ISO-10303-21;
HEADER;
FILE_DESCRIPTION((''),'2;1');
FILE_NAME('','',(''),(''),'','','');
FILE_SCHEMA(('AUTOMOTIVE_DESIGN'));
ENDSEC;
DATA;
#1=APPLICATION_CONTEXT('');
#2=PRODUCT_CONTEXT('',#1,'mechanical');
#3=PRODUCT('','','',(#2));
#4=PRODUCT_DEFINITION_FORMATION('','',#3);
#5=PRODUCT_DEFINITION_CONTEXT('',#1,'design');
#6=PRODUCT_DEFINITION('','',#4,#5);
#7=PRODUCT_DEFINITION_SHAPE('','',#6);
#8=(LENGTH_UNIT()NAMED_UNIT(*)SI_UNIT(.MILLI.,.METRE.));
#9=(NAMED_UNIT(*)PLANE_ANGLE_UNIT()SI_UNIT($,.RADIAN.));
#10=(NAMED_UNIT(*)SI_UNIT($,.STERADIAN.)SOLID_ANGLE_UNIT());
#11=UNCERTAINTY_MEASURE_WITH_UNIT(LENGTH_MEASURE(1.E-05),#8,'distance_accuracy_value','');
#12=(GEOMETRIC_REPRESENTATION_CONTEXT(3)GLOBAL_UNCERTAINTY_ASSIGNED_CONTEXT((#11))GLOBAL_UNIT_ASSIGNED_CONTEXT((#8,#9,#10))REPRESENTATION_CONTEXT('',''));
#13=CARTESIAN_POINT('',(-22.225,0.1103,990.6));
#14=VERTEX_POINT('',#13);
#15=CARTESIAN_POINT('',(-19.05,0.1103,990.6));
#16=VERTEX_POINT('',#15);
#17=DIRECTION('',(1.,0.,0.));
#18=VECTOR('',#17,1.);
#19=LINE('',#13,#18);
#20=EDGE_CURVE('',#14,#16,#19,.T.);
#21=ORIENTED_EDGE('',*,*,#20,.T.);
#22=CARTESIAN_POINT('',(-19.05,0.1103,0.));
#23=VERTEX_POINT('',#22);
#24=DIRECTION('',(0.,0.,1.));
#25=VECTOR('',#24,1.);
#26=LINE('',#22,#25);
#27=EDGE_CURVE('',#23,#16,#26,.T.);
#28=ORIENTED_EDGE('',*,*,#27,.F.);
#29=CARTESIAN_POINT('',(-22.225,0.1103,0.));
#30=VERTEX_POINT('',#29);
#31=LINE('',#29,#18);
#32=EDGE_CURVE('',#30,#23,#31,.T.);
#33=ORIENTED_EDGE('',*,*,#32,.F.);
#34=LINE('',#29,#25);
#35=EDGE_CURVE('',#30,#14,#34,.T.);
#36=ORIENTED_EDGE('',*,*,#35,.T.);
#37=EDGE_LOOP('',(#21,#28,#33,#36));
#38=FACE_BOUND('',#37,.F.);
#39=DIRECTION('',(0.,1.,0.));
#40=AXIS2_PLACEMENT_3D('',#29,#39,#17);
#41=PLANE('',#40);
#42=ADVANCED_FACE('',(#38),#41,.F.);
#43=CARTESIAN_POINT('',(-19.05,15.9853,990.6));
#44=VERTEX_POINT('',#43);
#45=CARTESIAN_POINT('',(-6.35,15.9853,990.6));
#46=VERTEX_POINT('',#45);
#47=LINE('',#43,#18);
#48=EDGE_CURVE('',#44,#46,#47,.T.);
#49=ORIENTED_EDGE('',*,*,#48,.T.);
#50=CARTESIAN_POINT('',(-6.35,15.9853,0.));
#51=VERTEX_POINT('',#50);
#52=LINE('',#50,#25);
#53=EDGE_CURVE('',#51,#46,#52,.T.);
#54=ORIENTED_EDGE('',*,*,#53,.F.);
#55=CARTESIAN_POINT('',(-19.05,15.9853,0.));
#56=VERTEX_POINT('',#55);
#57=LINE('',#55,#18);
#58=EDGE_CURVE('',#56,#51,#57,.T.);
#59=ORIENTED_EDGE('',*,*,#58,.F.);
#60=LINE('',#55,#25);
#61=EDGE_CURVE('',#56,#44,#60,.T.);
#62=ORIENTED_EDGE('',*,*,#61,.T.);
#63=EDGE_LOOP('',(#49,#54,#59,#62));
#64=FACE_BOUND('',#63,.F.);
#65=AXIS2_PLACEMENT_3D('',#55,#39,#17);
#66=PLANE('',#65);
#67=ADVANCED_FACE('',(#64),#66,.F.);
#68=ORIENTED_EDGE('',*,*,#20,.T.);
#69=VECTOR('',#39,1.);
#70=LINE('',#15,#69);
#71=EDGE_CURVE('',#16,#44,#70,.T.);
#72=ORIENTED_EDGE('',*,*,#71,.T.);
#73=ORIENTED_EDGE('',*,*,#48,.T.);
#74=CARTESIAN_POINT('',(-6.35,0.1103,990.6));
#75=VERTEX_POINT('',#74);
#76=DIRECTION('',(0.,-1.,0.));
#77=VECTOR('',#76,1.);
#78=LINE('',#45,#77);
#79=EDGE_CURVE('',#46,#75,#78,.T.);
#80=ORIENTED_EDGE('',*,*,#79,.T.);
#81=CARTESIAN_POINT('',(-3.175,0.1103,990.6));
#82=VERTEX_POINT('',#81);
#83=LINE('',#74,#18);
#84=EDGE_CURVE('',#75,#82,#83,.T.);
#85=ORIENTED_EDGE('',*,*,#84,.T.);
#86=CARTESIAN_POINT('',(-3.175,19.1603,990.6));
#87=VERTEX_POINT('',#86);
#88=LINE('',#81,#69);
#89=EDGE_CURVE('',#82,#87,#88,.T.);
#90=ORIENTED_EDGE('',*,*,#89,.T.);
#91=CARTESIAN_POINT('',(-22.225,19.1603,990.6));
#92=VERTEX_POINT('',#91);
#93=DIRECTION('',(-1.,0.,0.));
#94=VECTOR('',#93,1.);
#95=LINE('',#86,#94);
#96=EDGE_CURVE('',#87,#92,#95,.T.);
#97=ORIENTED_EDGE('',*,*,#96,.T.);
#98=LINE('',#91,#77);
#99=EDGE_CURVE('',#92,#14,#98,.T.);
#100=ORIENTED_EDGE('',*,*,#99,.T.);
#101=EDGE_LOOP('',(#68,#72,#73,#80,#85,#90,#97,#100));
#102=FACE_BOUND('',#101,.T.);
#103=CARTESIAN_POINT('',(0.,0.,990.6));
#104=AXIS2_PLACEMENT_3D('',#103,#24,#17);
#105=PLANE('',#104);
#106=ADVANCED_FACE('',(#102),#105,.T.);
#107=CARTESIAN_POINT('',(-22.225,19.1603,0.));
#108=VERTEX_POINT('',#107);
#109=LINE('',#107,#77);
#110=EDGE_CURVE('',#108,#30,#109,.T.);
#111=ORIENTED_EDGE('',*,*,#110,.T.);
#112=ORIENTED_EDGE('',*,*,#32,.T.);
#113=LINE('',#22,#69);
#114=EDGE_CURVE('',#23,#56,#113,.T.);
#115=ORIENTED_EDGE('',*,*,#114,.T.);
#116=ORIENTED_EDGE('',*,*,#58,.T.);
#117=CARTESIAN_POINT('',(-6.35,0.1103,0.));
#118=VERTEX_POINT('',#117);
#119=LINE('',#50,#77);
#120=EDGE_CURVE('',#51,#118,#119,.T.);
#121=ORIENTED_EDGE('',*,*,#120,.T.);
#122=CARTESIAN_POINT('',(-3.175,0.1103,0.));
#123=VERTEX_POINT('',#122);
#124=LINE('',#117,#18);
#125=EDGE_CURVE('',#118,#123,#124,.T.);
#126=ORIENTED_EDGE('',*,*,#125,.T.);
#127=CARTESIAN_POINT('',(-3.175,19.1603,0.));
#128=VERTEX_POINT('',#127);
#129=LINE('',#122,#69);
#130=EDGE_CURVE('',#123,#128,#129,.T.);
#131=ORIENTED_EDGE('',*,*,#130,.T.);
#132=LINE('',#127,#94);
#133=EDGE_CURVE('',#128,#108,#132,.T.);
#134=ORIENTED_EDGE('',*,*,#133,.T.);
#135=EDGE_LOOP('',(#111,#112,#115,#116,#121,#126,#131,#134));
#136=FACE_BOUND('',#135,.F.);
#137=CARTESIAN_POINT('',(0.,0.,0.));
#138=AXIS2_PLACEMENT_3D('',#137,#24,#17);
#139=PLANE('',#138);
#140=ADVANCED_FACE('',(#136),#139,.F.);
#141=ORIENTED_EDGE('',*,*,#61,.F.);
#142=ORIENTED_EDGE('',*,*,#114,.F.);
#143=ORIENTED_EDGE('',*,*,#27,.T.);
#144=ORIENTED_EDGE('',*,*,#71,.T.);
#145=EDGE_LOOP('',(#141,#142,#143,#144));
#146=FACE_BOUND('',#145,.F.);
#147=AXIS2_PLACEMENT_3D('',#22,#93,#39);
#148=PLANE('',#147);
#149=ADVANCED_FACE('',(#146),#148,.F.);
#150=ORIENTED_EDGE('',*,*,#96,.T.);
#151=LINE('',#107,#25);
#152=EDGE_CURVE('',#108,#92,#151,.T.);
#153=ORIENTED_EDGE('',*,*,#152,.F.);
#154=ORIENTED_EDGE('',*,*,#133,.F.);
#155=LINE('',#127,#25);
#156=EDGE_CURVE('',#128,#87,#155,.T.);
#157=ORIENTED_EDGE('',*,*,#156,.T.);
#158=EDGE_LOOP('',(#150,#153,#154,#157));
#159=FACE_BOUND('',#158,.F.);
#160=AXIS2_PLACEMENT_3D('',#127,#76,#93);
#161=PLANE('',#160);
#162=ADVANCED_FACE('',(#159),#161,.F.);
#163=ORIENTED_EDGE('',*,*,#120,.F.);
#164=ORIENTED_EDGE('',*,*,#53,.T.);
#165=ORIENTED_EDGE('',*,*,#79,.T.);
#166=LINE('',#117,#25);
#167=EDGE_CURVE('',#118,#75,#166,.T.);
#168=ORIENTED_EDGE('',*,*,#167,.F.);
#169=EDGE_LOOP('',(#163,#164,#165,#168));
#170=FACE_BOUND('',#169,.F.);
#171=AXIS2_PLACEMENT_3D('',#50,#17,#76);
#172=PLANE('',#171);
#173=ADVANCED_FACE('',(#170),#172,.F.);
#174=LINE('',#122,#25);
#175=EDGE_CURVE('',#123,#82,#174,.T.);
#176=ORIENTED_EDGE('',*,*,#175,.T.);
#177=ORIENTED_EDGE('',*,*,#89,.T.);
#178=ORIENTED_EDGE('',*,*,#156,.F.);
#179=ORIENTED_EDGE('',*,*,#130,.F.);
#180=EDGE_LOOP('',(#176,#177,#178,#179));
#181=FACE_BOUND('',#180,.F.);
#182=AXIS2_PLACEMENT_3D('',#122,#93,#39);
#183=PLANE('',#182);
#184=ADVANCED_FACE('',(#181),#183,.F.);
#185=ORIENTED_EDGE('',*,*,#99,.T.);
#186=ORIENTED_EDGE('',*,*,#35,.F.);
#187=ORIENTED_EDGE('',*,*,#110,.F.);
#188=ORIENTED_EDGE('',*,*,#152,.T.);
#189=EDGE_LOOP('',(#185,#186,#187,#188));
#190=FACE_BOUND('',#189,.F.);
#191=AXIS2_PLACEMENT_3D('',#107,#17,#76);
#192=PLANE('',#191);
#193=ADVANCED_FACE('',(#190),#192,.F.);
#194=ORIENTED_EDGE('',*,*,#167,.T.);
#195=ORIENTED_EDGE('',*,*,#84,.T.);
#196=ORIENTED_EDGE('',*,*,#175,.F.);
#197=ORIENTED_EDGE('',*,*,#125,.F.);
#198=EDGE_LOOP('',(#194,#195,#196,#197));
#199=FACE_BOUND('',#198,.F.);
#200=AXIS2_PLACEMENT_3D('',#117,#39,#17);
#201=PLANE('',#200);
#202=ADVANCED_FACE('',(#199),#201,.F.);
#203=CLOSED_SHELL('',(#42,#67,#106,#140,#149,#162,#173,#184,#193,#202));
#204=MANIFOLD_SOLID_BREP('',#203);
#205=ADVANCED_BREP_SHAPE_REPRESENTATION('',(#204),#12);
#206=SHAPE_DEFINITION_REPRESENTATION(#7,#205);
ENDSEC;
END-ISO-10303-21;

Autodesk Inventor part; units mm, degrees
ref_plane "YZ Plane" through (0, 0, 0) normal (1, 0, 0) x (0, 1, 0)
ref_plane "XZ Plane" through (0, 0, 0) normal (0, 1, 0) x (-1, 0, 0)
ref_plane "XY Plane" through (0, 0, 0) normal (0, 0, 1) x (1, 0, 0)
sketch "Sketch1" plane through (0, 0, 0) normal (0, 0, 1) x (1, 0, 0)
  line L0 (-22.225, 19.1603) -> (-22.225, 0.1103)
  line L1 (-22.225, 0.1103) -> (-19.05, 0.1103)
  line L2 (-19.05, 0.1103) -> (-19.05, 15.9853)
  line L3 (-19.05, 15.9853) -> (-6.35, 15.9853)
  line L4 (-6.35, 15.9853) -> (-6.35, 0.1103)
  line L5 (-6.35, 0.1103) -> (-3.175, 0.1103)
  line L6 (-3.175, 0.1103) -> (-3.175, 19.1603)
  line L7 (-3.175, 19.1603) -> (-22.225, 19.1603)
  dimension "d0" = 19.05
  dimension "d1" = 19.05
  dimension "d2" = 3.175
  dimension "d3" = 3.175
extrude "Extrusion1" add sketch "Sketch1" along normal blind 990.6
properties part number "FE-00014-03"
